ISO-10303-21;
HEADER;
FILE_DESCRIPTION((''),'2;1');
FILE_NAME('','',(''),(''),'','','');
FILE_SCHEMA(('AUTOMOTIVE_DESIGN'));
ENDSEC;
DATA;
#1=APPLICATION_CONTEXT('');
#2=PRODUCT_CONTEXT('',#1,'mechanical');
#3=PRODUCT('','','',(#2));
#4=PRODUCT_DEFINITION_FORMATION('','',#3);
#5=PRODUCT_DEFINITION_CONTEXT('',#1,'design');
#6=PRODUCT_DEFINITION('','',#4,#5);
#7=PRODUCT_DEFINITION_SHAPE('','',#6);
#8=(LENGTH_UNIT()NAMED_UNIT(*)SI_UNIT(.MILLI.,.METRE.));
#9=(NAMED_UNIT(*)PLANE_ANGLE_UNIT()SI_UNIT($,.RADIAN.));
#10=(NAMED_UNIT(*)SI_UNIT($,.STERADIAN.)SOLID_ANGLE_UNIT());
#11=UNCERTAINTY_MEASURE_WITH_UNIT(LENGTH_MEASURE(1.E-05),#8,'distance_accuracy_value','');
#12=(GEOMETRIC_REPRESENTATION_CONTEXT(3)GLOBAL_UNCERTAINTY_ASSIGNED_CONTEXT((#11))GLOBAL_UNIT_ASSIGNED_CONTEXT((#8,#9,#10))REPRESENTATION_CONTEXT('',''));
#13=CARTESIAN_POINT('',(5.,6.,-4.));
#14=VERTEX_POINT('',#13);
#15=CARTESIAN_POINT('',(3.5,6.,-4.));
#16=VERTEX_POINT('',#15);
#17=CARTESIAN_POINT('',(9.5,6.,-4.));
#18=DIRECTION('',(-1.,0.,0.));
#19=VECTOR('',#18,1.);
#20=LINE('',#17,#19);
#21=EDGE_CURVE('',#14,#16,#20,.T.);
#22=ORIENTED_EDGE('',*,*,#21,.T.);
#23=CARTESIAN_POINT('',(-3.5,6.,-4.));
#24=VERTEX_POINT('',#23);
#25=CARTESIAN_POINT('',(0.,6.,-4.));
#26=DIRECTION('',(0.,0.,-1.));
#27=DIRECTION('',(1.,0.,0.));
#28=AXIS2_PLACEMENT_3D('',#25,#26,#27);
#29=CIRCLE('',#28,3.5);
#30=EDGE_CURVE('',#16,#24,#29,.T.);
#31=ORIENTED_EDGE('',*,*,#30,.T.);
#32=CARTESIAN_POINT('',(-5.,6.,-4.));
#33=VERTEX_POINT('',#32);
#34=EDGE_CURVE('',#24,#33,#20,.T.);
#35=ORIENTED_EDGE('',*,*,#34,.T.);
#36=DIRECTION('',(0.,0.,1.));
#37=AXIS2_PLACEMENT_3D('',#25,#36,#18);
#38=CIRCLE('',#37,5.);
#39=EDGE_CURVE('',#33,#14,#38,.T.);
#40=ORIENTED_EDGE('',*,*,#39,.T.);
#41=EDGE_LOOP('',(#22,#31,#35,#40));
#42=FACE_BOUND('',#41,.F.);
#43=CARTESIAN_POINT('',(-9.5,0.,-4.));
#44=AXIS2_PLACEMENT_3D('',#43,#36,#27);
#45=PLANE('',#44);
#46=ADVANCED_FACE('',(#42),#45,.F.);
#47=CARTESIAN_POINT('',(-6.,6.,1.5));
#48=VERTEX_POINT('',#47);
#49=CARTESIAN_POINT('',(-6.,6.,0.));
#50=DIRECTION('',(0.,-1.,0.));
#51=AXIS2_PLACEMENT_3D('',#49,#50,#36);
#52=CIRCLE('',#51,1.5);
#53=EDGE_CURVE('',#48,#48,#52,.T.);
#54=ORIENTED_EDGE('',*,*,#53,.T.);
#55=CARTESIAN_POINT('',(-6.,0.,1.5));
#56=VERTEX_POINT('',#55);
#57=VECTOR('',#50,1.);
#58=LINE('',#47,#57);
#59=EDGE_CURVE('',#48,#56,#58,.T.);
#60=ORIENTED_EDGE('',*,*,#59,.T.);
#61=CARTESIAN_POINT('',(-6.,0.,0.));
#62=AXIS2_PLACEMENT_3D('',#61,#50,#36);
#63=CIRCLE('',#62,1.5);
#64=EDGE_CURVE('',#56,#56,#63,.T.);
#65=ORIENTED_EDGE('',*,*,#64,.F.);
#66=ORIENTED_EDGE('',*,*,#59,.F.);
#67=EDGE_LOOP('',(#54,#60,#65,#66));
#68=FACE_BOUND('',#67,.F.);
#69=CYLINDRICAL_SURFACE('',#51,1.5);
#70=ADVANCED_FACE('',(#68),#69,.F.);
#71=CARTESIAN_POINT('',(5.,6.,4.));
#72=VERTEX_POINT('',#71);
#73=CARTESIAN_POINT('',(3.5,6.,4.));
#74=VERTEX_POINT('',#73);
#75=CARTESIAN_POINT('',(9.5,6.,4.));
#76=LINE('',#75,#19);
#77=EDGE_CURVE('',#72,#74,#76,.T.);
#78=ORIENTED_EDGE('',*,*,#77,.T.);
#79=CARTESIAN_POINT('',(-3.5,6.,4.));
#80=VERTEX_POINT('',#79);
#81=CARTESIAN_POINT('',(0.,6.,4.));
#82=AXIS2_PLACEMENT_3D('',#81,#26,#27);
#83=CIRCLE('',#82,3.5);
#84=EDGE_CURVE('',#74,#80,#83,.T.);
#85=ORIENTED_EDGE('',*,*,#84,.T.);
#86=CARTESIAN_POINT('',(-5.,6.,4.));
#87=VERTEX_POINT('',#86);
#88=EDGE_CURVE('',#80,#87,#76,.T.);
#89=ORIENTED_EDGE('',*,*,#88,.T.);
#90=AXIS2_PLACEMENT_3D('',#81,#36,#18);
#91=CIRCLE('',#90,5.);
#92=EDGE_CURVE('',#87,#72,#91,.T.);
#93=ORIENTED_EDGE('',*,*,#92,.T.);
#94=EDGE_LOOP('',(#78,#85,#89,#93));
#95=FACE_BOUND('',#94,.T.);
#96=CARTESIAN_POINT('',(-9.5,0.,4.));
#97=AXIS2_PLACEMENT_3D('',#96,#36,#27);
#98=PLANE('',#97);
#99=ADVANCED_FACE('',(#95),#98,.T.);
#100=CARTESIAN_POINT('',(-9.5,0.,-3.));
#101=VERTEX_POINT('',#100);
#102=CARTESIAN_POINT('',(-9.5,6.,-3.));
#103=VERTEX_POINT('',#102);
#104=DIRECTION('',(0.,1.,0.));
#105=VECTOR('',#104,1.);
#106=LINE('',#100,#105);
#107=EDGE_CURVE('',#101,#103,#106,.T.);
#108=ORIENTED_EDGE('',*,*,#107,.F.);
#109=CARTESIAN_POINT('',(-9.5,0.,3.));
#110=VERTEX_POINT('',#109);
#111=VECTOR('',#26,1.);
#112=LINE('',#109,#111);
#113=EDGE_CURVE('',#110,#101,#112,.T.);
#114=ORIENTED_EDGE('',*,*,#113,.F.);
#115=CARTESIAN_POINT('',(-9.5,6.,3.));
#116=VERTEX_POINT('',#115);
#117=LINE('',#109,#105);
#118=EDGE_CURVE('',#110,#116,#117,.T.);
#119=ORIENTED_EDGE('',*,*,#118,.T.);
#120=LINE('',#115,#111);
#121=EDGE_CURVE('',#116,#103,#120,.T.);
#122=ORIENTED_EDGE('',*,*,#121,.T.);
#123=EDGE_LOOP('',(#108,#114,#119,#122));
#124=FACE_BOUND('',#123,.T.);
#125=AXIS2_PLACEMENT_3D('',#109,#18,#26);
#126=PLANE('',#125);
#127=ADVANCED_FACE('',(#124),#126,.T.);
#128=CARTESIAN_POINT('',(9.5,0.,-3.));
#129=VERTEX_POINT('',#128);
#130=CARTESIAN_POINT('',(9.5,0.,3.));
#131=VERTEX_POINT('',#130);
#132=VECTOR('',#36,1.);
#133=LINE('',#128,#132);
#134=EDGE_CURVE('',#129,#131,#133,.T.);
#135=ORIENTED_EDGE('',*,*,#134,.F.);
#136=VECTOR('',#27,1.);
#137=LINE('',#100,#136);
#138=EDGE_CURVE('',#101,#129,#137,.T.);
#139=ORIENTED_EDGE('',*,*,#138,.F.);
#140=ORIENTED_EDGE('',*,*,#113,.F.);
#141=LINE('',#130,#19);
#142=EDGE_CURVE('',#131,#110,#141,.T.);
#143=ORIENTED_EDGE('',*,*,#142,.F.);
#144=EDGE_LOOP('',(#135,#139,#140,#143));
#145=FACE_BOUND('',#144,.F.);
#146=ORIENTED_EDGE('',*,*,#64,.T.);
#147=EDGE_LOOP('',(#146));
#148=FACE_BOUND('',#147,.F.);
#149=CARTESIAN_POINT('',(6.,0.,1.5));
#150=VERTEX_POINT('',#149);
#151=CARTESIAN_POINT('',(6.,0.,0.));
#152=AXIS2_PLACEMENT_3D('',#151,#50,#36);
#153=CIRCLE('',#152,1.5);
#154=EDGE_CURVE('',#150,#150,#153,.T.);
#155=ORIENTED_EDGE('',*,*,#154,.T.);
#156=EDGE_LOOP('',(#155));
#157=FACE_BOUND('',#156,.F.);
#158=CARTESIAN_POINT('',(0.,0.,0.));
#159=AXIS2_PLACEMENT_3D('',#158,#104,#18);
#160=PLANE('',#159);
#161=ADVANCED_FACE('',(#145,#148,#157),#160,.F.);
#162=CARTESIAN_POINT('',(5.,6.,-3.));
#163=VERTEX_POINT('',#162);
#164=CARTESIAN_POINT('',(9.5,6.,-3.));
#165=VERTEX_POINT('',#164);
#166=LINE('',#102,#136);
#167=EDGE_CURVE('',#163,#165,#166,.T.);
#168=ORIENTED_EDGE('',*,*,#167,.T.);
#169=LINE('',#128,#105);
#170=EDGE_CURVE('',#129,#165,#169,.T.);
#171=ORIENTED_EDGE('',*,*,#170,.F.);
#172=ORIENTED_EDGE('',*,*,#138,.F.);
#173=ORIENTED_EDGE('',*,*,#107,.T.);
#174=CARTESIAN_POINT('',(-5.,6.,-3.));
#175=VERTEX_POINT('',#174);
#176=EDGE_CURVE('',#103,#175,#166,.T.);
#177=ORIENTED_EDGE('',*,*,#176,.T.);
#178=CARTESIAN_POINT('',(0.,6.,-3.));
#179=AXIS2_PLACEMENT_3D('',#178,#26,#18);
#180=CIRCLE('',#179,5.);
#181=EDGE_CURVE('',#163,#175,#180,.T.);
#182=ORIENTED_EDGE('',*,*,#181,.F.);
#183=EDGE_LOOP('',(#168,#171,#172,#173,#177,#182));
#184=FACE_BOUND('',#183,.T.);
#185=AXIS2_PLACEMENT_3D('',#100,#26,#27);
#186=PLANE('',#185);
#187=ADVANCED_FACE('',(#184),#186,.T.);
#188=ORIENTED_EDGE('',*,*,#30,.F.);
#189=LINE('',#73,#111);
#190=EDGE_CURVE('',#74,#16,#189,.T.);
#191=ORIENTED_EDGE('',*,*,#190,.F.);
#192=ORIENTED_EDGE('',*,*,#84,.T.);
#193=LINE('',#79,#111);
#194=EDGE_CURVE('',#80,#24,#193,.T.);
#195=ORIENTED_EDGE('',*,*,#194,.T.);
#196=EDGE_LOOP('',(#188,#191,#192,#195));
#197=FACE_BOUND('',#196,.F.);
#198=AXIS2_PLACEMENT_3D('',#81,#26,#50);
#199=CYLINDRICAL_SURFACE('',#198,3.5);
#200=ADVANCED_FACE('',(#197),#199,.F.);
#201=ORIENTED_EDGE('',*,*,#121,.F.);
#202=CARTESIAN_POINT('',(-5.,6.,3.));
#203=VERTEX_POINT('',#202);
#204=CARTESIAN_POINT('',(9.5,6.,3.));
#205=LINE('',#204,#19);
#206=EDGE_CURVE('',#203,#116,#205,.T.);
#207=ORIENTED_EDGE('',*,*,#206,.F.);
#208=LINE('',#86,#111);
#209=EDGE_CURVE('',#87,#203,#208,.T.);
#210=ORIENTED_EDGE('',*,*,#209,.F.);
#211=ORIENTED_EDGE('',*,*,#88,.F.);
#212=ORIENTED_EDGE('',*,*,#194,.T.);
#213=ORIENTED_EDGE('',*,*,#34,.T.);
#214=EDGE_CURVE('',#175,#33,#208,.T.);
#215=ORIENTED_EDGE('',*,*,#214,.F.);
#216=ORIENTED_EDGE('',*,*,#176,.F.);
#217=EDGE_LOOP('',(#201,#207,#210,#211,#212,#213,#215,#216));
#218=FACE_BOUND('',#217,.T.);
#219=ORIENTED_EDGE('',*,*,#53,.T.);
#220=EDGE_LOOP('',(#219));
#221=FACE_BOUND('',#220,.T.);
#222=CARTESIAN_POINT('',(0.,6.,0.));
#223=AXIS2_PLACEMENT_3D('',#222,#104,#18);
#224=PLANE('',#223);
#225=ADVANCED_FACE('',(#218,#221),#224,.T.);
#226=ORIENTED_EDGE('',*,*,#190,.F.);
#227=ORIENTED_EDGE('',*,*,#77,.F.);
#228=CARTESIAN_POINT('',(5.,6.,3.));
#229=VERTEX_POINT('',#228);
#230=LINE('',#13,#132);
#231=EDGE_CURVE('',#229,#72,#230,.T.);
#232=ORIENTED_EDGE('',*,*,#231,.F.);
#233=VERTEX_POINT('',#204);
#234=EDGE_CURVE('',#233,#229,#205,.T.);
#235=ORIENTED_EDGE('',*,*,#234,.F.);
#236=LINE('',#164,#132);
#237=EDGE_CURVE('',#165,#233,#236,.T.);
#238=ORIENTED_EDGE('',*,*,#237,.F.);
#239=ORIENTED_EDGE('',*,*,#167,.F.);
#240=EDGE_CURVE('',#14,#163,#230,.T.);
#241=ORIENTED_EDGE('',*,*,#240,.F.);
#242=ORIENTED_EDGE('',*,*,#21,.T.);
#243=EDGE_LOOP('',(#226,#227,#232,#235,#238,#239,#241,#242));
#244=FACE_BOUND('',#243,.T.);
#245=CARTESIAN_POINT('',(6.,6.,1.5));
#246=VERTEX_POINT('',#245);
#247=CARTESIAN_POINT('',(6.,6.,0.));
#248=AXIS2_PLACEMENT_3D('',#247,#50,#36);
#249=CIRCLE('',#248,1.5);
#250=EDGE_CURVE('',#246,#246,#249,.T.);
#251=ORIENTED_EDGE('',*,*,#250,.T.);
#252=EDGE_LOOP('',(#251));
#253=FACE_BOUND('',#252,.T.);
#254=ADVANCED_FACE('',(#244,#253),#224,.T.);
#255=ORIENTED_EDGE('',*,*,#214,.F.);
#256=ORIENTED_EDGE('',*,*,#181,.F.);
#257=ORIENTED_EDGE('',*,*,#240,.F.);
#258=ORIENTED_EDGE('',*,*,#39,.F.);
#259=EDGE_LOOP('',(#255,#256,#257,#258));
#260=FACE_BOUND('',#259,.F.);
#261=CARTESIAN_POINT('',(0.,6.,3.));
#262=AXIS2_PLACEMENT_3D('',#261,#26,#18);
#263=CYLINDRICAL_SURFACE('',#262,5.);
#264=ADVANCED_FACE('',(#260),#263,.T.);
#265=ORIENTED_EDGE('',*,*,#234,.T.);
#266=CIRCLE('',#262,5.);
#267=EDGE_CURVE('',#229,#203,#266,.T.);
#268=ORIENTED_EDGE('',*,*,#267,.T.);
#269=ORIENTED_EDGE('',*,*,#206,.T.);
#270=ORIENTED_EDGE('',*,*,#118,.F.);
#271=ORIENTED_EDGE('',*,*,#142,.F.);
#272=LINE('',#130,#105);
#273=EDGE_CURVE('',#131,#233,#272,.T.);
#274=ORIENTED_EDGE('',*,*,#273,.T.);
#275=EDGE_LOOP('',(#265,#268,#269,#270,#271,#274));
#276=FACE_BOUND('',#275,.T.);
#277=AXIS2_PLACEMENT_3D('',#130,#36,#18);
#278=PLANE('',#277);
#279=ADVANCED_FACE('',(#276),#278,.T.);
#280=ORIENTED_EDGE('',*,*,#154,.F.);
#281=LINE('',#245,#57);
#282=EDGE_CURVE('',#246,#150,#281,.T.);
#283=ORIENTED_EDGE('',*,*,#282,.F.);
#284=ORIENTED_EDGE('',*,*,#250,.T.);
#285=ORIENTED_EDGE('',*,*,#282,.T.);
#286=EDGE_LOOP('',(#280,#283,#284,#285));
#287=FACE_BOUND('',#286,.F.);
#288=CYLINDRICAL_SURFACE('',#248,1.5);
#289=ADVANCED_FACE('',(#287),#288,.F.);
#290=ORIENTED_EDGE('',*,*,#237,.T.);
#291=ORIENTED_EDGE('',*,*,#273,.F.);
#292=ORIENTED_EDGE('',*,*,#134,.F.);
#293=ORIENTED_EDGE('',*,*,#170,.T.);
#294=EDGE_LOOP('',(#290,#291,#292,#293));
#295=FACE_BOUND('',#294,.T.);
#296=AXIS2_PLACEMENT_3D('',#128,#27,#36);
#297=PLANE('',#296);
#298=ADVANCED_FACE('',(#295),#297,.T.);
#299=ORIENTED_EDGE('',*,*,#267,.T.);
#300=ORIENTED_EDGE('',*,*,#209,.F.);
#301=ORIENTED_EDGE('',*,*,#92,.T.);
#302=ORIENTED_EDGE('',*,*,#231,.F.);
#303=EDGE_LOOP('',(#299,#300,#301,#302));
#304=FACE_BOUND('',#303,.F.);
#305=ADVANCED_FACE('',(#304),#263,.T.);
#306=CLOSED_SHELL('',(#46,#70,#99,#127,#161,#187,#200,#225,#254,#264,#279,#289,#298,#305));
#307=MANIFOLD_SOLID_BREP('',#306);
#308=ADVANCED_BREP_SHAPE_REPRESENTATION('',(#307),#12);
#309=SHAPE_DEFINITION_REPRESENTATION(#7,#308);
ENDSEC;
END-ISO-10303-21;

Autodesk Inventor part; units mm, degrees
ref_plane "YZ Plane" through (0, 0, 0) normal (1, 0, 0) x (0, 1, 0)
ref_plane "XZ Plane" through (0, 0, 0) normal (0, 1, 0) x (-1, 0, 0)
ref_plane "XY Plane" through (0, 0, 0) normal (0, 0, 1) x (1, 0, 0)
sketch "Sketch1" plane through (0, 0, 0) normal (0, 1, 0) x (-1, 0, 0)
  line L0 (9.5, -3) -> (-9.5, -3)
  line L1 (-9.5, -3) -> (-9.5, 3)
  line L2 (-9.5, 3) -> (9.5, 3)
  line L3 (9.5, 3) -> (9.5, -3)
  line L4 (9.5, -3) -> (-9.5, 3) construction
  line L5 (-9.5, -3) -> (9.5, 3) construction
  point P0 (0, 0)
  dimension "d0" = 19
  dimension "d1" = 6
extrude "Extrusion1" add sketch "Sketch1" along normal blind 6
sketch "Sketch2" plane through (-9.5, 0, 3) normal (0, 0, 1) x (1, 0, 0)
  line L0 (19, 6) -> (0, 6) projected
  arc A0 (4.5, 6) -> (14.5, 6) centre (9.5, 6) ccw
  point P0 (9.5, 0)
  point P1 (14.5, 6)
  dimension "d4" = 5
extrude "Extrusion2" add sketch "Sketch2" along normal blind 1 and the other way blind 7
sketch "Sketch3" plane through (-9.5, 0, 4) normal (0, 0, 1) x (1, 0, 0)
  line L0 (14.5, 6) -> (4.5, 6) projected
  point P0 (9.5, 0)
  point P1 (9.5, 6)
hole "Hole1" at (0, 6, 4) direction (0, 0, -1) diameter 7 end through all
sketch "Sketch4" plane through (0, 6, 0) normal (0, 1, 0) x (1, 0, 0)
  line L0 (-5, 3) -> (-9.5, 3) projected
  line L1 (9.5, 3) -> (5, 3) projected
  line L2 (-9.5, 3) -> (-9.5, -3) projected
  line L3 (9.5, -3) -> (9.5, 3) projected
  point P0 (0, 0)
  point P1 (-6, 0)
  point P2 (6, 0)
  dimension "d16" = 3
  dimension "d17" = 3
  dimension "d18" = 12
  dimension "d19" = 3.5
  dimension "d20" = 3.5
hole "Hole2" at (-6, 6, 0) at (6, 6, 0) direction (0, -1, 0) diameter 3 end through all
properties material "Brass, Soft Yellow, Welded"
